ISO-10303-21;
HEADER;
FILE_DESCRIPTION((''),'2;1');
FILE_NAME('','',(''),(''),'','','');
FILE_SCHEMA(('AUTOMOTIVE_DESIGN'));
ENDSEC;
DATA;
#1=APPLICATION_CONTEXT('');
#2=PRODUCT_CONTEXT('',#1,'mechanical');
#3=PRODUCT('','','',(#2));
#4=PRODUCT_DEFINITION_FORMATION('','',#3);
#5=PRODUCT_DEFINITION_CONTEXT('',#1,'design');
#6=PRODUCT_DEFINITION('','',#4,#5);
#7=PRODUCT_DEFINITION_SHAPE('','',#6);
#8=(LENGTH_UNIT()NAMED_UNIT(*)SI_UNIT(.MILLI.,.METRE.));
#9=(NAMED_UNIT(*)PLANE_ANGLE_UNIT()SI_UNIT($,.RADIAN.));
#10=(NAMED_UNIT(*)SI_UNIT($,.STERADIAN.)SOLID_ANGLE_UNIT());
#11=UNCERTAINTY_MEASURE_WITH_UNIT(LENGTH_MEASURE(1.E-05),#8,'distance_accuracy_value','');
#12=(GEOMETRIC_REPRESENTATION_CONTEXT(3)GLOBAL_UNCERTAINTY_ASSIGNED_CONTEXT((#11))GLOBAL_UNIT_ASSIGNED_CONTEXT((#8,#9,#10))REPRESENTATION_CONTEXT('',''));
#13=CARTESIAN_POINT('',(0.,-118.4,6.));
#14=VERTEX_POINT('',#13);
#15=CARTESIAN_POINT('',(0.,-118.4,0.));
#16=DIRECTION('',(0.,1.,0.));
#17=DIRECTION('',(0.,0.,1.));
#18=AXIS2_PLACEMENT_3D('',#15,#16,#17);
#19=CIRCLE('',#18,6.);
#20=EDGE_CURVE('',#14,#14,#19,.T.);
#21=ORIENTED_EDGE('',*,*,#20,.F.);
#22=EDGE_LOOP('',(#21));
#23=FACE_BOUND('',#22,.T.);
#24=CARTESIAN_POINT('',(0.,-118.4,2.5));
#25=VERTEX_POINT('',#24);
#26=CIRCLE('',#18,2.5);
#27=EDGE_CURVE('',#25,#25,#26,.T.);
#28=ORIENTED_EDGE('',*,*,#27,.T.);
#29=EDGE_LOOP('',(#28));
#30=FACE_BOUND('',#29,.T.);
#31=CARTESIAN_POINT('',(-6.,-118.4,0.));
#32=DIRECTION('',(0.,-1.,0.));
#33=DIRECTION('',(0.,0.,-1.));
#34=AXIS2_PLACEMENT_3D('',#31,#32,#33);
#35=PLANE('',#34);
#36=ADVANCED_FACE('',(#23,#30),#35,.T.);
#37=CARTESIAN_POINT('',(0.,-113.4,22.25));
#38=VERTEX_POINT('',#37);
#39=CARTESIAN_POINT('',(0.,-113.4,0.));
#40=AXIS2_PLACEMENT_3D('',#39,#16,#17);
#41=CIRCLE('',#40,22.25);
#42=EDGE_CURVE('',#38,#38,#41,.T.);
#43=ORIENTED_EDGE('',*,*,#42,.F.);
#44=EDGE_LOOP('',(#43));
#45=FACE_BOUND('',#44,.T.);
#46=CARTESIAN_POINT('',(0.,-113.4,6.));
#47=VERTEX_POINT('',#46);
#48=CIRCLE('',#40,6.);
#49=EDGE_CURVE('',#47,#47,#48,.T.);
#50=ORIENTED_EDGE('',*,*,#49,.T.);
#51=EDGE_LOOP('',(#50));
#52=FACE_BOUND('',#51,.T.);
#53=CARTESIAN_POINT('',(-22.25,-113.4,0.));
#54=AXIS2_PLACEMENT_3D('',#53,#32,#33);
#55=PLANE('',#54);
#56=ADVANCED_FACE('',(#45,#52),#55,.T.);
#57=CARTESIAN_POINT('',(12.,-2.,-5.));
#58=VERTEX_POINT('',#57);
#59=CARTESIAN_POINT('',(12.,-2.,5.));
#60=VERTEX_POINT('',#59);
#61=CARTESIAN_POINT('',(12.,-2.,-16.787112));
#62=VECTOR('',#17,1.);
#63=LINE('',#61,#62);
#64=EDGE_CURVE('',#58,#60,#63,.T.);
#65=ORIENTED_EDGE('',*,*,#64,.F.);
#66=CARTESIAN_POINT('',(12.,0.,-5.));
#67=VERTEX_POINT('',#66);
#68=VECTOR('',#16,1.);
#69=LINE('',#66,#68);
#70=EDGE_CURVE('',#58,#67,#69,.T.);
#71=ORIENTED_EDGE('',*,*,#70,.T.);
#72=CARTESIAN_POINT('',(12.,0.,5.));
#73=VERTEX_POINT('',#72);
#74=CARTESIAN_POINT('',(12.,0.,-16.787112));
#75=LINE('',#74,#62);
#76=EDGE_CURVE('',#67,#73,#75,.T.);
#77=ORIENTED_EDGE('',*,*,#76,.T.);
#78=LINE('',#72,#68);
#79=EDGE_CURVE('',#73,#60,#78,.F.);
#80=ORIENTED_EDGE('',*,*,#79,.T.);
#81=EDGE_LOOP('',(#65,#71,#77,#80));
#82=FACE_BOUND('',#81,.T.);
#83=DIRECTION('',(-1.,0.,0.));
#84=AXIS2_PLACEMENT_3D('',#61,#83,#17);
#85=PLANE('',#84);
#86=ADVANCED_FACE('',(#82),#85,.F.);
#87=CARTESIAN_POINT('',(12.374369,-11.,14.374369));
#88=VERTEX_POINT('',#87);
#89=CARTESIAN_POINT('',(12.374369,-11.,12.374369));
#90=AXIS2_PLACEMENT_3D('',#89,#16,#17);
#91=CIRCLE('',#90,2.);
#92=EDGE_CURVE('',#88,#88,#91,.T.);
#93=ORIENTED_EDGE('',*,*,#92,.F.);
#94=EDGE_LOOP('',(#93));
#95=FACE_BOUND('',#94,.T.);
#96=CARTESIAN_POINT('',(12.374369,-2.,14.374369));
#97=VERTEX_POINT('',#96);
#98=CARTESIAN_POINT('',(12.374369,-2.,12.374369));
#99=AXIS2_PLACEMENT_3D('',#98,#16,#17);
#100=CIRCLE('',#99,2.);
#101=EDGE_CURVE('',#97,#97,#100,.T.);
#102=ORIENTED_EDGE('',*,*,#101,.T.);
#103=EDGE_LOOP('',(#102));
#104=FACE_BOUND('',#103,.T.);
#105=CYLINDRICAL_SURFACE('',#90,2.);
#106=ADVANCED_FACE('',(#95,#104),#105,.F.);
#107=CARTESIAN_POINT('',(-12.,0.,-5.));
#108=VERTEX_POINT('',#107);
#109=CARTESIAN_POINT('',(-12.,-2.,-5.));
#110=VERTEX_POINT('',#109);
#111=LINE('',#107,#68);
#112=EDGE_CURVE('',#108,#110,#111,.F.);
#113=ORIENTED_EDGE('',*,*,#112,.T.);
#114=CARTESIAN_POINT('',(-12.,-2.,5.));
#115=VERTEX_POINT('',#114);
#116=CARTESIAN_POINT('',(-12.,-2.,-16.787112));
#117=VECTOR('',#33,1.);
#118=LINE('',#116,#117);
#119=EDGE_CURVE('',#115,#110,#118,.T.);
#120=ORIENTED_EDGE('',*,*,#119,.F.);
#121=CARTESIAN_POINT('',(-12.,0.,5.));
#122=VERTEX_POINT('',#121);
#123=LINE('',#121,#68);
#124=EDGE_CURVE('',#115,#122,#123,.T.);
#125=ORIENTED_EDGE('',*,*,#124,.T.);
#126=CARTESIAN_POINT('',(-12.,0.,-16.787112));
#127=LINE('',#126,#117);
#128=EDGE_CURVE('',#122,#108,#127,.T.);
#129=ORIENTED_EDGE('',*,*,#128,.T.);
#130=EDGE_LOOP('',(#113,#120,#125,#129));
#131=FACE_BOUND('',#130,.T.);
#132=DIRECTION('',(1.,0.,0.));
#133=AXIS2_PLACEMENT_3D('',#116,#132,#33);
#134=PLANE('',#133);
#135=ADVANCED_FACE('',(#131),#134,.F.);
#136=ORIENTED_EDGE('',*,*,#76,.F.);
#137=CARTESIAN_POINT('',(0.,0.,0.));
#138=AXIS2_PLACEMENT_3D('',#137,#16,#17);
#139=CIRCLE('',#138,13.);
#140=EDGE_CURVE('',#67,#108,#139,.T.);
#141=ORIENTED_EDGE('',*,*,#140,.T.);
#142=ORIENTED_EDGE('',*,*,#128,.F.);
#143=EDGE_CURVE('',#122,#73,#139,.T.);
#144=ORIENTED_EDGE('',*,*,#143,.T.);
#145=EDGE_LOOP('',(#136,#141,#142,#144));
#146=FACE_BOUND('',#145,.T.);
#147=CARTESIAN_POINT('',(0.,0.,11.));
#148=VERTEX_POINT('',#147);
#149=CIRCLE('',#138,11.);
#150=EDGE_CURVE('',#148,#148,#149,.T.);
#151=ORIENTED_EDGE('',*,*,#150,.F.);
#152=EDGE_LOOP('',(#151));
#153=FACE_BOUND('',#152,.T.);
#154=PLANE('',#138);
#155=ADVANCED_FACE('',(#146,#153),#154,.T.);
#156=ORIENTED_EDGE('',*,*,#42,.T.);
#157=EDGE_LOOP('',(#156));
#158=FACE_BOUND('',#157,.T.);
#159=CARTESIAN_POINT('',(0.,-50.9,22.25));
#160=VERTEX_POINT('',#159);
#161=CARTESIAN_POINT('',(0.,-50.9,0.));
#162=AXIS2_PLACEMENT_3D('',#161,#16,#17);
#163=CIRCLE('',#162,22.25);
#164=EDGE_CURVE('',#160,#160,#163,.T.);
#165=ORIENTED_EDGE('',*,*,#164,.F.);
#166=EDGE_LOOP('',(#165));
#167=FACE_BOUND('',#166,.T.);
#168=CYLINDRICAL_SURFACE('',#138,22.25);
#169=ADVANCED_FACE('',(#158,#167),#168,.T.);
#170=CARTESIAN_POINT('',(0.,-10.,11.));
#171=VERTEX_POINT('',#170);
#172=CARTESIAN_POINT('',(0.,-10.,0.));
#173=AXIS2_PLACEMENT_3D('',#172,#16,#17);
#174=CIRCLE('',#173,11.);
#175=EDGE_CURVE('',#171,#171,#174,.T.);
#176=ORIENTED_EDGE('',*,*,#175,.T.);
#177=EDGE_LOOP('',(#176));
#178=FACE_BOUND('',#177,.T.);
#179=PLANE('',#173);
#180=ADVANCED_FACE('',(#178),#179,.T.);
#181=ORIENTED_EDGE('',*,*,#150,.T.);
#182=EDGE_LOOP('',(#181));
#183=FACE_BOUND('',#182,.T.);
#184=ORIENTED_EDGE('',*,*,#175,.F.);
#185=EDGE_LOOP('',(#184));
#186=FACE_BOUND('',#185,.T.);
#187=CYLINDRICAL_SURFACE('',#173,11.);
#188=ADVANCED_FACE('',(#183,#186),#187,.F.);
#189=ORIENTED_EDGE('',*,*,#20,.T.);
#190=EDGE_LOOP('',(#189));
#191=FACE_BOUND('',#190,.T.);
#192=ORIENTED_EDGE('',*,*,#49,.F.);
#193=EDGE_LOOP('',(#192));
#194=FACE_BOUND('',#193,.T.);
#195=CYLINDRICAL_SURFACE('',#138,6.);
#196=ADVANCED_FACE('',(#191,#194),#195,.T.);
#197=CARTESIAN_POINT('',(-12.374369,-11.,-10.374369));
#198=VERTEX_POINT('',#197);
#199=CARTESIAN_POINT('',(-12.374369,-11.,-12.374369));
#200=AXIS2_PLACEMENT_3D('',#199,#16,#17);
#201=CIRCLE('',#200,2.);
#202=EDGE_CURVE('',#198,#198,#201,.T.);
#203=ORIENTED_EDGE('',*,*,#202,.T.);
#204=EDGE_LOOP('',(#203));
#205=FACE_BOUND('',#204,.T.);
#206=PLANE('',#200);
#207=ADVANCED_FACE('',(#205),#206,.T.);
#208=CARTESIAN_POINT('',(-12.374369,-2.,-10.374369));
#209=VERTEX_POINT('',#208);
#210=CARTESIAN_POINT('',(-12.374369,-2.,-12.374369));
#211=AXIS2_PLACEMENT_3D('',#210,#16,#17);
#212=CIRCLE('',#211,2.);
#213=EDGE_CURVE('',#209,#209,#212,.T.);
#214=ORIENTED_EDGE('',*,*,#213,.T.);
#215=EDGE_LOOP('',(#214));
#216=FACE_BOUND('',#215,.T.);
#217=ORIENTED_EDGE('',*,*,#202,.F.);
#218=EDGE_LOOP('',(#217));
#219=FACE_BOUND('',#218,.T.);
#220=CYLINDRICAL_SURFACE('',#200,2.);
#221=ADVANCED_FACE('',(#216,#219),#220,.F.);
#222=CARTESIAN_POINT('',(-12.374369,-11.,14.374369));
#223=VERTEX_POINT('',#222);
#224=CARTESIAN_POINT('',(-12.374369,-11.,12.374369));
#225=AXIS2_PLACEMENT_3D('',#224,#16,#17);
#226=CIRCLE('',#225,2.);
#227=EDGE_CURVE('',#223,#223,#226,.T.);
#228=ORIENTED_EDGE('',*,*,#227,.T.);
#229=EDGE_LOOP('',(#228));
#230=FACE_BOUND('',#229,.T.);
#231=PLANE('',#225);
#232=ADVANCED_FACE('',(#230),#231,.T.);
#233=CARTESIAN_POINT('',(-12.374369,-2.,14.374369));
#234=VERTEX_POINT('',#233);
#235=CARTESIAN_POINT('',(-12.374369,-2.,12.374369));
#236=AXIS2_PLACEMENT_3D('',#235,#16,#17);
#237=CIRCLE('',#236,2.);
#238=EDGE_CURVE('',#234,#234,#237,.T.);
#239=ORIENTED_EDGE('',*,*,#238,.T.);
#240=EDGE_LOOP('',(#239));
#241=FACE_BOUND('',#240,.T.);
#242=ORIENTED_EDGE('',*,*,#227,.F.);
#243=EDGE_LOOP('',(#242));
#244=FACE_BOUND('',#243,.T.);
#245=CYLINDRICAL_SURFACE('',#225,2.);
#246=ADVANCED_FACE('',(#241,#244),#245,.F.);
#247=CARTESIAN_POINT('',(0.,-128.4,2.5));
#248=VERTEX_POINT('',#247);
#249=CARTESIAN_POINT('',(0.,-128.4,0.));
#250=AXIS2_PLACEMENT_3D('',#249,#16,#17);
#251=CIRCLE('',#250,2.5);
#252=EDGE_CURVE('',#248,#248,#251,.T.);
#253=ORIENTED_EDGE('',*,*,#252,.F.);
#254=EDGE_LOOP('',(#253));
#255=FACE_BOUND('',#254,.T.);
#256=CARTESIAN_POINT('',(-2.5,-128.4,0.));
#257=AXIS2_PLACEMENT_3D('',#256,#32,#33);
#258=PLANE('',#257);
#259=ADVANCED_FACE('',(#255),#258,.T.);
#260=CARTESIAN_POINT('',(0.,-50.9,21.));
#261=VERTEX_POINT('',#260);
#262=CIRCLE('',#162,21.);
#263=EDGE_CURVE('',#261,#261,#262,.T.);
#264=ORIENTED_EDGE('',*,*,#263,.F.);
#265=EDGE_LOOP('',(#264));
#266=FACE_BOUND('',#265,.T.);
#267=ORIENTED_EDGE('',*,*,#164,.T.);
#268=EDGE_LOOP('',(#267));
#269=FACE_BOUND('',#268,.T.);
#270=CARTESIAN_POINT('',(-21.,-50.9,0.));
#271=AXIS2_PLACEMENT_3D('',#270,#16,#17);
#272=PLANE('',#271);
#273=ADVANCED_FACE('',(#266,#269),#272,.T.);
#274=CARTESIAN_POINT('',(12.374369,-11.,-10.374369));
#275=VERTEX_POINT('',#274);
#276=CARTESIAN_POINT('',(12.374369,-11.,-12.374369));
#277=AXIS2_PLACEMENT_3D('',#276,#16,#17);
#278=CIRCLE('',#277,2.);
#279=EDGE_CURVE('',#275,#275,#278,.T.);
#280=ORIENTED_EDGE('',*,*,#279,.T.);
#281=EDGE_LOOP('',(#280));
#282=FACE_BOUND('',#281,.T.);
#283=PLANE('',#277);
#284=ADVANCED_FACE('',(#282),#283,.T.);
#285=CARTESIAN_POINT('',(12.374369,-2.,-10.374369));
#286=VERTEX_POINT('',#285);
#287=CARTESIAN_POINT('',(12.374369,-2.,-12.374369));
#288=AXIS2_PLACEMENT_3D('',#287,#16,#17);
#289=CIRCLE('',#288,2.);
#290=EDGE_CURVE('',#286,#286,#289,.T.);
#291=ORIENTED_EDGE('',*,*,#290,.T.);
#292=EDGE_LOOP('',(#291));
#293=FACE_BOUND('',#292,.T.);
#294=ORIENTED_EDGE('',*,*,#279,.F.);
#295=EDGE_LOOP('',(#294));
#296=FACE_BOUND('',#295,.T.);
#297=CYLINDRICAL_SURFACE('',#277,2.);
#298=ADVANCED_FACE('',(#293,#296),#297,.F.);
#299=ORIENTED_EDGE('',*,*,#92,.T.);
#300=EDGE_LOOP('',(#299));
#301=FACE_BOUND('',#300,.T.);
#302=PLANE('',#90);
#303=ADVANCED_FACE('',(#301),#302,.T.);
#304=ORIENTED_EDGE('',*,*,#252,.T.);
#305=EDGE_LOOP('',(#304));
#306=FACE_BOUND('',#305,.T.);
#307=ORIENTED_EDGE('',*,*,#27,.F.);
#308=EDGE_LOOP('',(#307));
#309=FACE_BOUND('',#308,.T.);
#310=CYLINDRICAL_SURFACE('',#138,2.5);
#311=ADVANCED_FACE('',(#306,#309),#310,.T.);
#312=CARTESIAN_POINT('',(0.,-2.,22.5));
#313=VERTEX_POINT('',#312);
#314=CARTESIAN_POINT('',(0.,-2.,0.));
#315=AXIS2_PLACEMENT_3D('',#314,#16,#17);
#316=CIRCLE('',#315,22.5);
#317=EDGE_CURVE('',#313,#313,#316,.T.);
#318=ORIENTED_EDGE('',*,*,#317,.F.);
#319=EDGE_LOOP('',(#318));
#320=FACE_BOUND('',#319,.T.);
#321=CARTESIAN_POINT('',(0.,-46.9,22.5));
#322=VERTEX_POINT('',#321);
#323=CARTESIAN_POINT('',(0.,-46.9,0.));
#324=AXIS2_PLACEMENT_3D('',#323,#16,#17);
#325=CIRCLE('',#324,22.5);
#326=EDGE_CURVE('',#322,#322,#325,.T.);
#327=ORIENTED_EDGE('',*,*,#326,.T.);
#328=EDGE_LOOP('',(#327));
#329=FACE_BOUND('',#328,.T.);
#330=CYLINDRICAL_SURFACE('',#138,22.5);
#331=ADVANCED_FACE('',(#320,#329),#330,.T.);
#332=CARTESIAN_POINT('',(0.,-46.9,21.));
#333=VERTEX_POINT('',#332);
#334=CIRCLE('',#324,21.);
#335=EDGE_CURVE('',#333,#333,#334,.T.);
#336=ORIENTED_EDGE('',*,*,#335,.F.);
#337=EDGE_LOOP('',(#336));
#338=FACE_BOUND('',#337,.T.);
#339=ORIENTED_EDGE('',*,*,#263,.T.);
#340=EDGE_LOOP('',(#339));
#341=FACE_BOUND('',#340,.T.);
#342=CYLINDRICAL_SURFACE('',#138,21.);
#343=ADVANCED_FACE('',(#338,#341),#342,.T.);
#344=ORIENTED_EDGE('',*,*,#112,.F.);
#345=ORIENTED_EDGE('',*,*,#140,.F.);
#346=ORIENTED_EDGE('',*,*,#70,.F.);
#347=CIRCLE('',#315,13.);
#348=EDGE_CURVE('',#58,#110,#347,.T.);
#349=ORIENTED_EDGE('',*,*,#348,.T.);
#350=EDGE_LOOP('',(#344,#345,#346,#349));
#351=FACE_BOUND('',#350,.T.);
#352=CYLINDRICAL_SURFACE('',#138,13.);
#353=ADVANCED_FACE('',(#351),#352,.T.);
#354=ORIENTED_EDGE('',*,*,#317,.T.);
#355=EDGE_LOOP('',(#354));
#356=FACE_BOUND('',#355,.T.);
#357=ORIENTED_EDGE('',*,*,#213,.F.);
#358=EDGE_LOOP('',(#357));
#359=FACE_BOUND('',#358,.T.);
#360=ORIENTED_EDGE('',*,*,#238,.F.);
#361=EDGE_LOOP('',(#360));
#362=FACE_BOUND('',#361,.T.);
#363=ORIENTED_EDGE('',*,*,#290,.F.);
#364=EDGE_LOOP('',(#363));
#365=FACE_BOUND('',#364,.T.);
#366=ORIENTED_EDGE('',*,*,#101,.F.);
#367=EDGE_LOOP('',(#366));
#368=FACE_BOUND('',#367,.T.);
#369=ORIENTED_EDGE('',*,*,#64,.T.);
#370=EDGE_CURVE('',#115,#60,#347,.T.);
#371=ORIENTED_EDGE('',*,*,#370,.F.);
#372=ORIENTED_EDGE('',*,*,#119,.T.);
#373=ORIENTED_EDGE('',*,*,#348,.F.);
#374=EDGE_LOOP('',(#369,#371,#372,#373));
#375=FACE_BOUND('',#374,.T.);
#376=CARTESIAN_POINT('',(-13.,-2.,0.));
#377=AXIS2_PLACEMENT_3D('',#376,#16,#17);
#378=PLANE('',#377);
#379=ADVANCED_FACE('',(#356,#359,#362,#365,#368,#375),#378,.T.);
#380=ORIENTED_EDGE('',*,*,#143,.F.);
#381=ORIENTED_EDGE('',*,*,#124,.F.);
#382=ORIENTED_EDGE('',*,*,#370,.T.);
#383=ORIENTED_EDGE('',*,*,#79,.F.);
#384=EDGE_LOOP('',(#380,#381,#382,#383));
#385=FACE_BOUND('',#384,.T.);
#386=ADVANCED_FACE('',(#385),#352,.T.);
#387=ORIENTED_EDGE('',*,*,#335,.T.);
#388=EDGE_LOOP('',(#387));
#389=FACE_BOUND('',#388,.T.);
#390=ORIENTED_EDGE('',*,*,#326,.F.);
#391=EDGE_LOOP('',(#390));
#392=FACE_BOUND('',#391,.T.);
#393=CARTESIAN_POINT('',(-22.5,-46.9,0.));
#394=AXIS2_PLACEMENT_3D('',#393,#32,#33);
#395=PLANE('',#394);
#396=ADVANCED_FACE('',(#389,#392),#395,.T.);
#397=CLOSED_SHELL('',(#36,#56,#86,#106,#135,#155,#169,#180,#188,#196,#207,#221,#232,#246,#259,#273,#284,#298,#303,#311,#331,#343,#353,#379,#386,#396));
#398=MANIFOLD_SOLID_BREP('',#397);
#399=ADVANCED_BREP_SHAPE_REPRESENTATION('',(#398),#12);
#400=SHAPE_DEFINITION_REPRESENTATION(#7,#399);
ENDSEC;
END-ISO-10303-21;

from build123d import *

# Parameters (mm, degrees)
SKETCH2_R          = 11
CUT_EXTRUDE1_DEPTH = 10
SKETCH3_W          = 5
SKETCH3_H          = 33.574223154
CUT_EXTRUDE2_DEPTH = 2
SKETCH4_R          = 2
CUT_EXTRUDE3_DEPTH = 9


with BuildPart() as part:
    # Sketch1 → Revolve1 (revolve)
    with BuildSketch(Plane.XY):
        Polygon((0, 0), (-13, 0), (-13, -2), (-22.5, -2), (-22.5, -46.9), (-21, -46.9), (-21, -50.9), (-22.25, -50.9), (-22.25, -113.4), (-6, -113.4), (-6, -118.4), (-2.5, -118.4), (-2.5, -128.4), (0, -128.4), align=None)
    revolve(axis=Axis((0, 0, 0), (0, -1, 0)))

    # Sketch2 → Cut-Extrude1 (cut)
    with BuildSketch(Plane(origin=(0, 0, 0), x_dir=(1, 0, 0), z_dir=(0, 1, 0))):
        Circle(SKETCH2_R)
    extrude(amount=-CUT_EXTRUDE1_DEPTH, mode=Mode.SUBTRACT)

    # Sketch3 → Cut-Extrude2 (cut)
    with BuildSketch(Plane(origin=(0, 0, 0), x_dir=(1, 0, 0), z_dir=(0, 1, 0))):
        with Locations((-14.5, 0)):
            Rectangle(SKETCH3_W, SKETCH3_H)
        with Locations((14.5, 0)):
            Rectangle(SKETCH3_W, SKETCH3_H)
    extrude(amount=-CUT_EXTRUDE2_DEPTH, mode=Mode.SUBTRACT)

    # Sketch4 → Cut-Extrude3 (cut)
    with BuildSketch(Plane(origin=(0, -2, 0), x_dir=(1, 0, 0), z_dir=(0, 1, 0))):
        with Locations((-12.374368671, 12.374368671)):
            Circle(SKETCH4_R)
        with Locations((12.374368671, 12.374368671)):
            Circle(SKETCH4_R)
        with Locations((12.374368671, -12.374368671)):
            Circle(SKETCH4_R)
        with Locations((-12.374368671, -12.374368671)):
            Circle(SKETCH4_R)
    extrude(amount=-CUT_EXTRUDE3_DEPTH, mode=Mode.SUBTRACT)


solid = part.part
